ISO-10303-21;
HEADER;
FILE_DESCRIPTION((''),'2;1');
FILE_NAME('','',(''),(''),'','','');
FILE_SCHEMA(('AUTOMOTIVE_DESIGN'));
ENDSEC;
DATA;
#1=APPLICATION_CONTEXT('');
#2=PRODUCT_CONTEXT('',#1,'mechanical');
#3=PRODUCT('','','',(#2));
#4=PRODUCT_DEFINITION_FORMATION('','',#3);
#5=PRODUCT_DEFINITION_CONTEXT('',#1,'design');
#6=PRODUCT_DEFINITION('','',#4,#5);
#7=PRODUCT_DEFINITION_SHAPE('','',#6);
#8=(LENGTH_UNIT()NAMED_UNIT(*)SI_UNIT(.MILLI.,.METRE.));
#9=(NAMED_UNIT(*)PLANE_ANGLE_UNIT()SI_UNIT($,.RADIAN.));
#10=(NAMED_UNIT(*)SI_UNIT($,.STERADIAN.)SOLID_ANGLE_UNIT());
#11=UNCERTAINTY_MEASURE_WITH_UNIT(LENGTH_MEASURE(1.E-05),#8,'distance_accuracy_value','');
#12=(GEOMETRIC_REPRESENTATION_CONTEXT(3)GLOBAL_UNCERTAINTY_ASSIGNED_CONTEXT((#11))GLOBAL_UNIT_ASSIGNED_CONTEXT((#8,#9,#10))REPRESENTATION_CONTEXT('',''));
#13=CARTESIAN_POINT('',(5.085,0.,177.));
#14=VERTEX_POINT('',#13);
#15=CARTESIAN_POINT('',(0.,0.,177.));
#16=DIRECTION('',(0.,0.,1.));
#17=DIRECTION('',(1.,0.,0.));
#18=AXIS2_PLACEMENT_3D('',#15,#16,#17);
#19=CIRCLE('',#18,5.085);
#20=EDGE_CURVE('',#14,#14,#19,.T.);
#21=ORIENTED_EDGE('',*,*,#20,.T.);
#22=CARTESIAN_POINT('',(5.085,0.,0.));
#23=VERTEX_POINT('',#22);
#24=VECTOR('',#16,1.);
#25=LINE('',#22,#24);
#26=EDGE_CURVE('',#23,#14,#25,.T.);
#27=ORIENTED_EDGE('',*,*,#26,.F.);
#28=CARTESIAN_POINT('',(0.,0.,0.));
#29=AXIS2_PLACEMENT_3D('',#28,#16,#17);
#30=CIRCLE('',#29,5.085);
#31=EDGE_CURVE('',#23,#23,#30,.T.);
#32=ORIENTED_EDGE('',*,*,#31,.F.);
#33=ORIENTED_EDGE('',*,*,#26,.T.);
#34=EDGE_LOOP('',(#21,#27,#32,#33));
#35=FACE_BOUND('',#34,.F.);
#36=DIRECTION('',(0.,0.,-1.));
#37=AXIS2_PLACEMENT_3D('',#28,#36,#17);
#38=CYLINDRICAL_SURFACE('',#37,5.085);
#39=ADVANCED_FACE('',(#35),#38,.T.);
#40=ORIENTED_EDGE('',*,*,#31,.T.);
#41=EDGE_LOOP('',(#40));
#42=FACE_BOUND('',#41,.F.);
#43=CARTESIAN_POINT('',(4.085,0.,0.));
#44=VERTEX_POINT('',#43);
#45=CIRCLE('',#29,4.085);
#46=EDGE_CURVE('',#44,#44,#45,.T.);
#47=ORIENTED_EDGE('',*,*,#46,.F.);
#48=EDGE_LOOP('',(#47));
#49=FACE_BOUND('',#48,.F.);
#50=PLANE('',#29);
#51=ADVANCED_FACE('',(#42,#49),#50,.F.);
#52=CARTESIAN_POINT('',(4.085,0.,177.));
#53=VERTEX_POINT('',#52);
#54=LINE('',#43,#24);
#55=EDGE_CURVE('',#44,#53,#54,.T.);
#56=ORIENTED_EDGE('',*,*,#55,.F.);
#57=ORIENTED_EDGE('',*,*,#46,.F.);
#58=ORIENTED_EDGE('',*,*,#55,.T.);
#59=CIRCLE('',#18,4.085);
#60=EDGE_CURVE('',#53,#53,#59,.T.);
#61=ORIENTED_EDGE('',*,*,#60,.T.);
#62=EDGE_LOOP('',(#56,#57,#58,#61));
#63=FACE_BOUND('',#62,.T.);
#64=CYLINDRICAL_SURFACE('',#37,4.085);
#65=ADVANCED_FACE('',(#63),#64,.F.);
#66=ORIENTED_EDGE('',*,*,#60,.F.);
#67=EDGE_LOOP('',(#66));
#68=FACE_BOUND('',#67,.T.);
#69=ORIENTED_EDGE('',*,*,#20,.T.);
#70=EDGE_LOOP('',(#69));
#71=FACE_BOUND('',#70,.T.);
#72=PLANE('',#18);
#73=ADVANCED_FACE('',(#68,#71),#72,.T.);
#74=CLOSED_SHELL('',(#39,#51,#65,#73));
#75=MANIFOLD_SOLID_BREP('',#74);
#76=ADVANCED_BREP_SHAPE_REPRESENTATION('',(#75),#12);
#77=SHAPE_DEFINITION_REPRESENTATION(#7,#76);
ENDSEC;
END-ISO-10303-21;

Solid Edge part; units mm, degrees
sketch "Sketch1" plane through (0, 0, 0) normal (0, 0, 1) x (1, 0, 0)
  circle A0 centre (0, 0) radius 5.085
  circle A1 centre (0, 0) radius 4.085
extrude "Protrusion1" add sketch "Sketch1" along normal blind 177
